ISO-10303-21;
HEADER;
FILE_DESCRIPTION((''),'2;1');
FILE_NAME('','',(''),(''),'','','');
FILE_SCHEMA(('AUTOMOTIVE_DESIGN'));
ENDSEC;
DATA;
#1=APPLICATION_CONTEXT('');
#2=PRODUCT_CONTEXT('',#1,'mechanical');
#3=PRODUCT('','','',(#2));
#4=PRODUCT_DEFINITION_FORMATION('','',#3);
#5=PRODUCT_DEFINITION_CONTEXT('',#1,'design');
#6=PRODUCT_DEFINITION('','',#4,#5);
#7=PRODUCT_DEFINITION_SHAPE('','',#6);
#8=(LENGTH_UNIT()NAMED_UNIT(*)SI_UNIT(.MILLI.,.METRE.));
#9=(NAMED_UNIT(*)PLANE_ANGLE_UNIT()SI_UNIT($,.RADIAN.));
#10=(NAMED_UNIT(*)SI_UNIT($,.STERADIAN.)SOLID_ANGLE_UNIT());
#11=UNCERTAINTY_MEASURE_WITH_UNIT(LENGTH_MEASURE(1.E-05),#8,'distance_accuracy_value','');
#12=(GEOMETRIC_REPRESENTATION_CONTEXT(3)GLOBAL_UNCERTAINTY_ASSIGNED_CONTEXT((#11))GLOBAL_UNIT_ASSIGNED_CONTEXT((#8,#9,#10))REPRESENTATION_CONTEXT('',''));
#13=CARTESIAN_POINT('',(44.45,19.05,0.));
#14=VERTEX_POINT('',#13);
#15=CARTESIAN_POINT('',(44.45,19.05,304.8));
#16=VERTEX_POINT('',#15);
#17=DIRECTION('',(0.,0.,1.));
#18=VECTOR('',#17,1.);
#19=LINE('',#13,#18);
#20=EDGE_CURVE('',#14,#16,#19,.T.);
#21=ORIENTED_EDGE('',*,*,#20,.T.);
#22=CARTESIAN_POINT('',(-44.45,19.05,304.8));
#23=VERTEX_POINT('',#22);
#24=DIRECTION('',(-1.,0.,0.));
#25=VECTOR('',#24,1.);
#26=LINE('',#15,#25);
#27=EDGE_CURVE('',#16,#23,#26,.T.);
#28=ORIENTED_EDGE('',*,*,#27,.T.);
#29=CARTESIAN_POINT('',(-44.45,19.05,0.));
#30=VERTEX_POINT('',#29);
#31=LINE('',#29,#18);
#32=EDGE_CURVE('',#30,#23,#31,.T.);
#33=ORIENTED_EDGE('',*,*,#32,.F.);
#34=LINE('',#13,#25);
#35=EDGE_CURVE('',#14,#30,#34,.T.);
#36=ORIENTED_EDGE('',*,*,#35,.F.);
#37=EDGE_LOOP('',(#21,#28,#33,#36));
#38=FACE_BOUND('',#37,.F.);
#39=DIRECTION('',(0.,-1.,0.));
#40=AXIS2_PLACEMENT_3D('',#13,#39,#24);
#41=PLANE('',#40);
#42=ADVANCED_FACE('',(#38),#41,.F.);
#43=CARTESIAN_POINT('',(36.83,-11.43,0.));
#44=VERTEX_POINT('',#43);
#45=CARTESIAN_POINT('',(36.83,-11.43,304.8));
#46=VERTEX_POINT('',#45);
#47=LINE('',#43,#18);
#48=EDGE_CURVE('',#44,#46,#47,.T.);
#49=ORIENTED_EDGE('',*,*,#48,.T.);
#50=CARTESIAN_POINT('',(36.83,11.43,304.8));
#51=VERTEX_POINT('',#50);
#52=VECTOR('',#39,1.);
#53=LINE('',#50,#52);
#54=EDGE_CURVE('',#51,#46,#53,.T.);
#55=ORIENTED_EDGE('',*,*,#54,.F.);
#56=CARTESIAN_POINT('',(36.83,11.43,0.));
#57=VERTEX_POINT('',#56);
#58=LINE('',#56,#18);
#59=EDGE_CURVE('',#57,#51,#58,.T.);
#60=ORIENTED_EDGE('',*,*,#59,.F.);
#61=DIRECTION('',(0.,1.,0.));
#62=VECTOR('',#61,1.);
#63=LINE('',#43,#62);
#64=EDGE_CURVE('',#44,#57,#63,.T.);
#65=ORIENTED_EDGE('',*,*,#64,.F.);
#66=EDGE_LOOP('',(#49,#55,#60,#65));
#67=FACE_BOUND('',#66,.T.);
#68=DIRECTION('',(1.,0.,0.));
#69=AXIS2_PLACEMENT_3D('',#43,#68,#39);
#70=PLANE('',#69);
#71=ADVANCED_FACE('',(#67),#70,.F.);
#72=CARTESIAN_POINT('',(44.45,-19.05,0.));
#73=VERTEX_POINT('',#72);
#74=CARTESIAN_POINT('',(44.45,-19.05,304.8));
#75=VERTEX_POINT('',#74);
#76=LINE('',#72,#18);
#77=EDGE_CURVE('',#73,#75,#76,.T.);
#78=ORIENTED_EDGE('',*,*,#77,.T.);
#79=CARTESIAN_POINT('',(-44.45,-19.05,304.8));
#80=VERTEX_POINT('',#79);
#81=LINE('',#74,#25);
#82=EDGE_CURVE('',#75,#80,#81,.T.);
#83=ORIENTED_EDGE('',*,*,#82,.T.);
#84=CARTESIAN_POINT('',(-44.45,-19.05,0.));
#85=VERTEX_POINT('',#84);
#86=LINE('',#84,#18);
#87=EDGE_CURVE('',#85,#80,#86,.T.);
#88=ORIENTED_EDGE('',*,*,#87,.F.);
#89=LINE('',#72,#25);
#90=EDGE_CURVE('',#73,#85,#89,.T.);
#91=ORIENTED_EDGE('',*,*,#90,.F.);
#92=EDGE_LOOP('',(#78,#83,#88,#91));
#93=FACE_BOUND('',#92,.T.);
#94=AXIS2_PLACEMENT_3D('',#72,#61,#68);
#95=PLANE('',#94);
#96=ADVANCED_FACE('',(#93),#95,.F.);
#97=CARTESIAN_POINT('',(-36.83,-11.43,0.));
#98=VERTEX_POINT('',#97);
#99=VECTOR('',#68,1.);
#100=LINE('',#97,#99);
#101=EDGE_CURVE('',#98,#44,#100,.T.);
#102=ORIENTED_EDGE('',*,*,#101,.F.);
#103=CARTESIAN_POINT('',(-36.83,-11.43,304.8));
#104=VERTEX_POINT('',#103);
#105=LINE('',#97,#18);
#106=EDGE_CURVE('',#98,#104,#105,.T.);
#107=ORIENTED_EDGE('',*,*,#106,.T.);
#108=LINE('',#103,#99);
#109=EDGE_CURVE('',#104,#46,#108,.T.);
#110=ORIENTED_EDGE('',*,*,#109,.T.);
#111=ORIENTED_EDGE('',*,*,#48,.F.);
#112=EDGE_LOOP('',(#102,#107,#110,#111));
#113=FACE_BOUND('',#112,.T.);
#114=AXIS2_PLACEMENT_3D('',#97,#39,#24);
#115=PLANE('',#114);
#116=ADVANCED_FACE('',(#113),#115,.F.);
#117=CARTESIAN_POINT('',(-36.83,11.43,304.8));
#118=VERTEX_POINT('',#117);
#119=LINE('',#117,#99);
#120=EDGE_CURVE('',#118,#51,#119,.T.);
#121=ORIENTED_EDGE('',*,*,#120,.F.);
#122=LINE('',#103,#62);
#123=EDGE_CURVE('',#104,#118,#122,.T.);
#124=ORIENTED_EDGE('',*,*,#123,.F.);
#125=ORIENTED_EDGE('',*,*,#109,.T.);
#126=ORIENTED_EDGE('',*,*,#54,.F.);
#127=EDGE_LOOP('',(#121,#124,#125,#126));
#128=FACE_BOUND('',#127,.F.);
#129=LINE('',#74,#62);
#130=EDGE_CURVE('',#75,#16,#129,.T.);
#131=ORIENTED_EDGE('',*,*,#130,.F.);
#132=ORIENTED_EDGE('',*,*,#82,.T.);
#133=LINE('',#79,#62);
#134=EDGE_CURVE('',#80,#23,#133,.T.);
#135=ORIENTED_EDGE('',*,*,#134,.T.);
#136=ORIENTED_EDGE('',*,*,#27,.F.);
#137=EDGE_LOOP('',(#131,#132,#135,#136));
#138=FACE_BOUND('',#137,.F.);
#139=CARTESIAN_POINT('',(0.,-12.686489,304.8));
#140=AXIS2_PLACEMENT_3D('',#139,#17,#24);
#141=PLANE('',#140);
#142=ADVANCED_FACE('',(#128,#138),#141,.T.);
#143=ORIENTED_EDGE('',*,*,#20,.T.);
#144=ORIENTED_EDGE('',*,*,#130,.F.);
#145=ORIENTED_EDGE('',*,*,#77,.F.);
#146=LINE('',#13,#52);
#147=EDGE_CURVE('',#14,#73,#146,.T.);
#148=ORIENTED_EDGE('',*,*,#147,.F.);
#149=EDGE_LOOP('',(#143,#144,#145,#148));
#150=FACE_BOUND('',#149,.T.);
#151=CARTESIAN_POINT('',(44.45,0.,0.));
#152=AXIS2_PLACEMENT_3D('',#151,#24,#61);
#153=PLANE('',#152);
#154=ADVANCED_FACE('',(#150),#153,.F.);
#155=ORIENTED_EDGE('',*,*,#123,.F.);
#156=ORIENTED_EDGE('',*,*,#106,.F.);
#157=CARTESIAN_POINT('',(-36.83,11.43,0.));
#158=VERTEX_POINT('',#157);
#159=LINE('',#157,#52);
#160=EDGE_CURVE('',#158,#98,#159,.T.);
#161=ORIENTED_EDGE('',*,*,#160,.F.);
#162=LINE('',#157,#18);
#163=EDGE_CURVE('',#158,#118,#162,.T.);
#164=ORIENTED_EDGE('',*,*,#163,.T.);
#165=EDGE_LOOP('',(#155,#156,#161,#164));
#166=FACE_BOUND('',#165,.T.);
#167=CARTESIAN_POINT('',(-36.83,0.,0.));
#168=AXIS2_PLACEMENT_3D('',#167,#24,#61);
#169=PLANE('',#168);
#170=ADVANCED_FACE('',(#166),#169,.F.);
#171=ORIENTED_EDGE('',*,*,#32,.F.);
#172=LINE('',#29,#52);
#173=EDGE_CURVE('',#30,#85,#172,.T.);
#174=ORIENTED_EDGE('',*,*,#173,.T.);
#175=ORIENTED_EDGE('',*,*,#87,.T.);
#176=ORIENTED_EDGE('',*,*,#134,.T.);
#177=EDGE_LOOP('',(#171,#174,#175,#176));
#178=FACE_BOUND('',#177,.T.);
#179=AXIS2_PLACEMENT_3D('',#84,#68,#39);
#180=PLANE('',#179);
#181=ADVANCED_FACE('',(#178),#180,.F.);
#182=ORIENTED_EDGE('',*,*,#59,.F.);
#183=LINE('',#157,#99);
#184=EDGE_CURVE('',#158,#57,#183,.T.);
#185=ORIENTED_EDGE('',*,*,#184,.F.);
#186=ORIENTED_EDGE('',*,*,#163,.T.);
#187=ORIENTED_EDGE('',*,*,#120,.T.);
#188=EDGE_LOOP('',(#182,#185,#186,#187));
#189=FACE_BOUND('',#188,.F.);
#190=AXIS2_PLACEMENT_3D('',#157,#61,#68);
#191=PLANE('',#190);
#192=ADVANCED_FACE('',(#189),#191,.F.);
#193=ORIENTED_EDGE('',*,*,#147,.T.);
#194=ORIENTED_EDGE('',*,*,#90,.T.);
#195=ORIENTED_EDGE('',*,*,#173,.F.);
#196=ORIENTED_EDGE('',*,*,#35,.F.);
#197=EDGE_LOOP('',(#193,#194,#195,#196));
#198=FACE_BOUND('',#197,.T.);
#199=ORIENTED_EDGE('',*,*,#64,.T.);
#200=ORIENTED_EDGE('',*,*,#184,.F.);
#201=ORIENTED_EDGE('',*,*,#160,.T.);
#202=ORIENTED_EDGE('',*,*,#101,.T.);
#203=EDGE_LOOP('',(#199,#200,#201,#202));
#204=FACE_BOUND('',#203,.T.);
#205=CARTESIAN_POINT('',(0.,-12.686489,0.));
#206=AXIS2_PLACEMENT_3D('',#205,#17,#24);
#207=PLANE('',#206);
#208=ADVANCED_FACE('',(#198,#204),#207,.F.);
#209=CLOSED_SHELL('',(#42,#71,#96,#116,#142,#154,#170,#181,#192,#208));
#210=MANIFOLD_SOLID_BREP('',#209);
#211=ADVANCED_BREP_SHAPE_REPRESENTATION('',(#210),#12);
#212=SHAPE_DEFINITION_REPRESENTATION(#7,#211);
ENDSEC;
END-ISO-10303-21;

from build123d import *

# Parameters (mm, degrees)
F1_DEPTH = 304.8


with BuildPart() as f1:
    # F0 (on Top) → F1 (new body)
    with BuildSketch(Plane.XY):
        Polygon((-44.45, 19.05), (-44.45, 0), (-36.83, 0), (-36.83, 11.43), (36.83, 11.43), (36.83, 0), (44.45, 0), (44.45, 19.05), align=None)
    extrude(amount=F1_DEPTH)

    # F2: F1 across plane


with BuildPart() as f1_1:
    add(f1.part)
    add(f1.part.mirror(Plane.XZ))


solid = f1_1.part
